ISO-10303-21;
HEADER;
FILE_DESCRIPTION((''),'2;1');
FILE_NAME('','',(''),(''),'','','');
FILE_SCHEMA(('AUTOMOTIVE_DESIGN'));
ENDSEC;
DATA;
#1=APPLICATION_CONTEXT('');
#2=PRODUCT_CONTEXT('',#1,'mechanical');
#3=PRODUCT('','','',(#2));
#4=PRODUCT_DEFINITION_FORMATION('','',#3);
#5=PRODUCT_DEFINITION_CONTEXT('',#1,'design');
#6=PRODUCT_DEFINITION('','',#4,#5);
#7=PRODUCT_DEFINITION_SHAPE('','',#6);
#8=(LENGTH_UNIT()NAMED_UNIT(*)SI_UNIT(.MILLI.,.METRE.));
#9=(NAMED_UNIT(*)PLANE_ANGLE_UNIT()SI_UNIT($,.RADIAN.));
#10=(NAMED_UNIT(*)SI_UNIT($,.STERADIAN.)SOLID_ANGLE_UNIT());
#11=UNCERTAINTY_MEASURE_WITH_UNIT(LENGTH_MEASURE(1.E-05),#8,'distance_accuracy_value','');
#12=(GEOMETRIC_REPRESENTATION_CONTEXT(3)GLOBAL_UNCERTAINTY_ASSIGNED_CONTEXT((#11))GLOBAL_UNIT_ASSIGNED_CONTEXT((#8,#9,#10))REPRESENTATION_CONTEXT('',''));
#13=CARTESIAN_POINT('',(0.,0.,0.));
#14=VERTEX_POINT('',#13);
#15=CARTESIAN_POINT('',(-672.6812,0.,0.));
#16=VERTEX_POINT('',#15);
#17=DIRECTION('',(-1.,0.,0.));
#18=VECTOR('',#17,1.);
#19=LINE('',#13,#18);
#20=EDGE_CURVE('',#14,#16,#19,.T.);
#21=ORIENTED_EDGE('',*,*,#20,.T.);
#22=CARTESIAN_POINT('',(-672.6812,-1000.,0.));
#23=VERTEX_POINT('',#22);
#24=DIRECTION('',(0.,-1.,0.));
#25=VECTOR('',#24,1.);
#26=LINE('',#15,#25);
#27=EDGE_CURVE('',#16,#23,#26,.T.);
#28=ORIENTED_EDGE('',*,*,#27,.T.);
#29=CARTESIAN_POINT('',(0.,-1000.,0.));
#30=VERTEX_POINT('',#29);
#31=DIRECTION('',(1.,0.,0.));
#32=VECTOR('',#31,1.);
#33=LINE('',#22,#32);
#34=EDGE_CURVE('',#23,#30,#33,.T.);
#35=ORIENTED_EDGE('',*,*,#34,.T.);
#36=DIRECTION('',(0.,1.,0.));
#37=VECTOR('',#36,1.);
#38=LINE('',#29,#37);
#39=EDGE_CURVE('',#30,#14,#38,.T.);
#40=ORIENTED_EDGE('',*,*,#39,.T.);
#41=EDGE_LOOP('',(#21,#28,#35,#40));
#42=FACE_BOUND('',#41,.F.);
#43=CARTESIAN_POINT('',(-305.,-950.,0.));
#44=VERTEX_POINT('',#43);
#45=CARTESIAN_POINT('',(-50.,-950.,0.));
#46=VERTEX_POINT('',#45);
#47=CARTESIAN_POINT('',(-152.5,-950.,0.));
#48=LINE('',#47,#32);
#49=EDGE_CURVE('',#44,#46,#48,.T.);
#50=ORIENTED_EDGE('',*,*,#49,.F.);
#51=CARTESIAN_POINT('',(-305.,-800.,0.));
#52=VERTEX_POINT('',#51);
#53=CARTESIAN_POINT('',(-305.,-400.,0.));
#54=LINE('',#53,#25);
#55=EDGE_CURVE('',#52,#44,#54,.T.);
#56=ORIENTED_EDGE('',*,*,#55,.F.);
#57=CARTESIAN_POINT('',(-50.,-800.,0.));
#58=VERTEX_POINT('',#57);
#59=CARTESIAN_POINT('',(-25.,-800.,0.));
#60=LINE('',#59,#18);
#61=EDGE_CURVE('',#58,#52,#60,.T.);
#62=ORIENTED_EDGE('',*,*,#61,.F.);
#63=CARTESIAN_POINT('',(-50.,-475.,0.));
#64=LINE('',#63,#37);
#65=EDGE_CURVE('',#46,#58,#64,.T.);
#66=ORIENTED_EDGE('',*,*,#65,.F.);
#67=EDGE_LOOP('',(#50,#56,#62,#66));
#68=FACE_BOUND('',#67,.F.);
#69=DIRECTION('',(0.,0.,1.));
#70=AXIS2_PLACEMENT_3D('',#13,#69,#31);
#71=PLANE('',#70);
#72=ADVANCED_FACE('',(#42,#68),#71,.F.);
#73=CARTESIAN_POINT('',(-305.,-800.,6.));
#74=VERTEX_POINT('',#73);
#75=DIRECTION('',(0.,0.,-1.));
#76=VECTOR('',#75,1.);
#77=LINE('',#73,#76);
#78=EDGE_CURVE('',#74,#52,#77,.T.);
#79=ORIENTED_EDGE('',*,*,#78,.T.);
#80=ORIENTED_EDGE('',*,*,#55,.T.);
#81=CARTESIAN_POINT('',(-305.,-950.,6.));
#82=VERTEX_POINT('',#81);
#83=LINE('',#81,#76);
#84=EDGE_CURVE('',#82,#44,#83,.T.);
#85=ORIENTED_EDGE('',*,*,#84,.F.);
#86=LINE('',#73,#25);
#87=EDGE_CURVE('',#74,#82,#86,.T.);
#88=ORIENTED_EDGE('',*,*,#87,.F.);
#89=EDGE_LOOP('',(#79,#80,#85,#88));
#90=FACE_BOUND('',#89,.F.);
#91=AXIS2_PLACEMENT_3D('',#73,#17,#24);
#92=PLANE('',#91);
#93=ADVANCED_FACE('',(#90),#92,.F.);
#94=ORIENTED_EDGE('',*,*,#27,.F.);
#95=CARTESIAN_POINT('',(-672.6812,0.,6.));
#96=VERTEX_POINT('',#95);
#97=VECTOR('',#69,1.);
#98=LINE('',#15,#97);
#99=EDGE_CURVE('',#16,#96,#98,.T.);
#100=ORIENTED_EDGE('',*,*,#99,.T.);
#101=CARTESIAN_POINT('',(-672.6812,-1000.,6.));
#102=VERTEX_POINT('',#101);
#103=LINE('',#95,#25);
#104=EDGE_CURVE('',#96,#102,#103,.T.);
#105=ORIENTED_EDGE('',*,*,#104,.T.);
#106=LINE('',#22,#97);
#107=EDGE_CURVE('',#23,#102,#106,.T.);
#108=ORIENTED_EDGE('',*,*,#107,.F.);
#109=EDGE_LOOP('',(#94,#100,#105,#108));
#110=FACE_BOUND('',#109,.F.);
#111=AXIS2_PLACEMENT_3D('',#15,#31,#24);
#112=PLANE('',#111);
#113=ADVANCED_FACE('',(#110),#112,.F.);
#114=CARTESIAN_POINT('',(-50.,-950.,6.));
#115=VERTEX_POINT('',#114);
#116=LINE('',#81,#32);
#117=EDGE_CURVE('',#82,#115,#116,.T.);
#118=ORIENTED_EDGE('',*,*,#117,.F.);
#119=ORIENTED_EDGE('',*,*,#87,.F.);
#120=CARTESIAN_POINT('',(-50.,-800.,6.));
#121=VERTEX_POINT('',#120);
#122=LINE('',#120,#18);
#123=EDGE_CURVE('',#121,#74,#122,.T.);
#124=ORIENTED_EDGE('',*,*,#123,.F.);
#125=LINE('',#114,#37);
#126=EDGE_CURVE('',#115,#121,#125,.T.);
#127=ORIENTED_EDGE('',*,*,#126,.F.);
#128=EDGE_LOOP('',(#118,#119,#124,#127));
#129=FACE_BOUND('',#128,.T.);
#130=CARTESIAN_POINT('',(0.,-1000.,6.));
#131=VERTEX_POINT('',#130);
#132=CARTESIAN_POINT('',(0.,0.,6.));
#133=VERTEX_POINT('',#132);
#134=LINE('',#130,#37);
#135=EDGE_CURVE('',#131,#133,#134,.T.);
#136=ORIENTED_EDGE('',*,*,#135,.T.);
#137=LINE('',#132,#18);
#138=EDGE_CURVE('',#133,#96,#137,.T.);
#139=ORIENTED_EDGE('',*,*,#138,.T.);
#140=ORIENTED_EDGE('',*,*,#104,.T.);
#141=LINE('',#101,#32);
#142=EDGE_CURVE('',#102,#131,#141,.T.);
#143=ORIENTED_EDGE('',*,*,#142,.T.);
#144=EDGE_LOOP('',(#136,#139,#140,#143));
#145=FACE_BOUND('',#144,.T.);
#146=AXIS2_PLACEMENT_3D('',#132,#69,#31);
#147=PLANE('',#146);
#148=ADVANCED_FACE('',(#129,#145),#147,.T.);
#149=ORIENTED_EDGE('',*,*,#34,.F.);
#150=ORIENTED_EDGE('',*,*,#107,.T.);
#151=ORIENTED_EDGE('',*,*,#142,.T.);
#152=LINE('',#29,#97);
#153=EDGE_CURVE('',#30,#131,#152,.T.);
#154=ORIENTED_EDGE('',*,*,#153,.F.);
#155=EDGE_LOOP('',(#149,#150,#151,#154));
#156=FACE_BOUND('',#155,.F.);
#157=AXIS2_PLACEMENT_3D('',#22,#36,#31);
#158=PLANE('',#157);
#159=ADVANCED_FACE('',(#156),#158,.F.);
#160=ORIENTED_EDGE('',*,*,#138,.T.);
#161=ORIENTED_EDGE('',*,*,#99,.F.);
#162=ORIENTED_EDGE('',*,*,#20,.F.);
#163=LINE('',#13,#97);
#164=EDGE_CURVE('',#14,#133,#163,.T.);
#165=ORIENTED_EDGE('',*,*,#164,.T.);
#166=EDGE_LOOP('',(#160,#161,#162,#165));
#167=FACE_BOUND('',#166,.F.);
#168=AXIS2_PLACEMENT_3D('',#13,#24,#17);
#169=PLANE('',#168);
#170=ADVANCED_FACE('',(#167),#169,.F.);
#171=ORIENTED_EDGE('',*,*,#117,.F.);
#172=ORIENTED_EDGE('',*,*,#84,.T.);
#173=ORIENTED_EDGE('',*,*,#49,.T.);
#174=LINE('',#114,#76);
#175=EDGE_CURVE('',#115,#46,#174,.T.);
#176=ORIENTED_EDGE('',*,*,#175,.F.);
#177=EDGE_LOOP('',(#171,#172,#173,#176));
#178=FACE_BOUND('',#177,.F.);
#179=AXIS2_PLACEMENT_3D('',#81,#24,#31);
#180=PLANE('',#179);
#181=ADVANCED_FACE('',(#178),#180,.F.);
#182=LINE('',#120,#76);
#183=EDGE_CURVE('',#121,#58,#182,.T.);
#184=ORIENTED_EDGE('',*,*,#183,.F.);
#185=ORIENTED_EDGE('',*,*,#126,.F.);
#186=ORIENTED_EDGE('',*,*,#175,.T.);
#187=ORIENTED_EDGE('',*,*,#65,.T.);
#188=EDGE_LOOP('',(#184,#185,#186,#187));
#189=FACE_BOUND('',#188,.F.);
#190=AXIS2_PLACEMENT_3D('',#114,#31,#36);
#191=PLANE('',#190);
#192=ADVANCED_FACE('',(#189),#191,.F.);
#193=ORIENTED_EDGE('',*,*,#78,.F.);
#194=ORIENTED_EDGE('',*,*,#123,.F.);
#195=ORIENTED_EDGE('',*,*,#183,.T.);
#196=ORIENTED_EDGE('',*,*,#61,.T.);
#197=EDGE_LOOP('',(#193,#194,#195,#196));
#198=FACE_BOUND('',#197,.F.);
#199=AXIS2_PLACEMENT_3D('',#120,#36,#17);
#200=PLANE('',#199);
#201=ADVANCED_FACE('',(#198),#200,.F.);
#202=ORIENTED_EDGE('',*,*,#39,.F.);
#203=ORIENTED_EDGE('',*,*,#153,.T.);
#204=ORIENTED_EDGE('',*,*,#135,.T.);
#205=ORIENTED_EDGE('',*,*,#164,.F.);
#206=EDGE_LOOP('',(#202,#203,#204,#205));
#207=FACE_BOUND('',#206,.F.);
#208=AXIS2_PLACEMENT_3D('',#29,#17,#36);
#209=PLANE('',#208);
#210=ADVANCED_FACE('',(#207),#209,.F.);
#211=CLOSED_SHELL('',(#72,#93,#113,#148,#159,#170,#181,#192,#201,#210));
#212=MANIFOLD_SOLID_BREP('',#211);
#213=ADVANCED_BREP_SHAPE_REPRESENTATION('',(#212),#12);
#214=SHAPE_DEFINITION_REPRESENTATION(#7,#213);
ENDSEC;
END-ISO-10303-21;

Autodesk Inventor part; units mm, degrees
ref_plane "YZ Plane" through (0, 0, 0) normal (1, 0, 0) x (0, 1, 0)
ref_plane "XZ Plane" through (0, 0, 0) normal (0, 1, 0) x (-1, 0, 0)
ref_plane "XY Plane" through (0, 0, 0) normal (0, 0, 1) x (1, 0, 0)
sketch "Sketch1" plane through (0, 0, 0) normal (0, 0, 1) x (1, 0, 0)
  line L0 (0, 0) -> (-672.6812, 0)
  line L1 (-672.6812, 0) -> (-672.6812, -1000)
  line L2 (-672.6812, -1000) -> (0, -1000)
  line L3 (0, -1000) -> (0, 0)
extrude "Extrusion1" add sketch "Sketch1" along normal blind 6
sketch "Sketch2" plane through (0, 0, 6) normal (0, 0, 1) x (1, 0, 0)
  line L0 (-50, -800) -> (-305, -800)
  line L1 (-305, -800) -> (-305, -950)
  line L2 (-305, -950) -> (-50, -950)
  line L3 (-50, -950) -> (-50, -800)
  line L4 (-672.6812, -1000) -> (0, -1000) projected
  point P0 (0, 0)
  dimension "d2" = 150
  dimension "d3" = 255
  dimension "d4" = 50
  dimension "d5" = 50
extrude "Extrusion2" cut sketch "Sketch2" against normal through all
properties part number "capot"
